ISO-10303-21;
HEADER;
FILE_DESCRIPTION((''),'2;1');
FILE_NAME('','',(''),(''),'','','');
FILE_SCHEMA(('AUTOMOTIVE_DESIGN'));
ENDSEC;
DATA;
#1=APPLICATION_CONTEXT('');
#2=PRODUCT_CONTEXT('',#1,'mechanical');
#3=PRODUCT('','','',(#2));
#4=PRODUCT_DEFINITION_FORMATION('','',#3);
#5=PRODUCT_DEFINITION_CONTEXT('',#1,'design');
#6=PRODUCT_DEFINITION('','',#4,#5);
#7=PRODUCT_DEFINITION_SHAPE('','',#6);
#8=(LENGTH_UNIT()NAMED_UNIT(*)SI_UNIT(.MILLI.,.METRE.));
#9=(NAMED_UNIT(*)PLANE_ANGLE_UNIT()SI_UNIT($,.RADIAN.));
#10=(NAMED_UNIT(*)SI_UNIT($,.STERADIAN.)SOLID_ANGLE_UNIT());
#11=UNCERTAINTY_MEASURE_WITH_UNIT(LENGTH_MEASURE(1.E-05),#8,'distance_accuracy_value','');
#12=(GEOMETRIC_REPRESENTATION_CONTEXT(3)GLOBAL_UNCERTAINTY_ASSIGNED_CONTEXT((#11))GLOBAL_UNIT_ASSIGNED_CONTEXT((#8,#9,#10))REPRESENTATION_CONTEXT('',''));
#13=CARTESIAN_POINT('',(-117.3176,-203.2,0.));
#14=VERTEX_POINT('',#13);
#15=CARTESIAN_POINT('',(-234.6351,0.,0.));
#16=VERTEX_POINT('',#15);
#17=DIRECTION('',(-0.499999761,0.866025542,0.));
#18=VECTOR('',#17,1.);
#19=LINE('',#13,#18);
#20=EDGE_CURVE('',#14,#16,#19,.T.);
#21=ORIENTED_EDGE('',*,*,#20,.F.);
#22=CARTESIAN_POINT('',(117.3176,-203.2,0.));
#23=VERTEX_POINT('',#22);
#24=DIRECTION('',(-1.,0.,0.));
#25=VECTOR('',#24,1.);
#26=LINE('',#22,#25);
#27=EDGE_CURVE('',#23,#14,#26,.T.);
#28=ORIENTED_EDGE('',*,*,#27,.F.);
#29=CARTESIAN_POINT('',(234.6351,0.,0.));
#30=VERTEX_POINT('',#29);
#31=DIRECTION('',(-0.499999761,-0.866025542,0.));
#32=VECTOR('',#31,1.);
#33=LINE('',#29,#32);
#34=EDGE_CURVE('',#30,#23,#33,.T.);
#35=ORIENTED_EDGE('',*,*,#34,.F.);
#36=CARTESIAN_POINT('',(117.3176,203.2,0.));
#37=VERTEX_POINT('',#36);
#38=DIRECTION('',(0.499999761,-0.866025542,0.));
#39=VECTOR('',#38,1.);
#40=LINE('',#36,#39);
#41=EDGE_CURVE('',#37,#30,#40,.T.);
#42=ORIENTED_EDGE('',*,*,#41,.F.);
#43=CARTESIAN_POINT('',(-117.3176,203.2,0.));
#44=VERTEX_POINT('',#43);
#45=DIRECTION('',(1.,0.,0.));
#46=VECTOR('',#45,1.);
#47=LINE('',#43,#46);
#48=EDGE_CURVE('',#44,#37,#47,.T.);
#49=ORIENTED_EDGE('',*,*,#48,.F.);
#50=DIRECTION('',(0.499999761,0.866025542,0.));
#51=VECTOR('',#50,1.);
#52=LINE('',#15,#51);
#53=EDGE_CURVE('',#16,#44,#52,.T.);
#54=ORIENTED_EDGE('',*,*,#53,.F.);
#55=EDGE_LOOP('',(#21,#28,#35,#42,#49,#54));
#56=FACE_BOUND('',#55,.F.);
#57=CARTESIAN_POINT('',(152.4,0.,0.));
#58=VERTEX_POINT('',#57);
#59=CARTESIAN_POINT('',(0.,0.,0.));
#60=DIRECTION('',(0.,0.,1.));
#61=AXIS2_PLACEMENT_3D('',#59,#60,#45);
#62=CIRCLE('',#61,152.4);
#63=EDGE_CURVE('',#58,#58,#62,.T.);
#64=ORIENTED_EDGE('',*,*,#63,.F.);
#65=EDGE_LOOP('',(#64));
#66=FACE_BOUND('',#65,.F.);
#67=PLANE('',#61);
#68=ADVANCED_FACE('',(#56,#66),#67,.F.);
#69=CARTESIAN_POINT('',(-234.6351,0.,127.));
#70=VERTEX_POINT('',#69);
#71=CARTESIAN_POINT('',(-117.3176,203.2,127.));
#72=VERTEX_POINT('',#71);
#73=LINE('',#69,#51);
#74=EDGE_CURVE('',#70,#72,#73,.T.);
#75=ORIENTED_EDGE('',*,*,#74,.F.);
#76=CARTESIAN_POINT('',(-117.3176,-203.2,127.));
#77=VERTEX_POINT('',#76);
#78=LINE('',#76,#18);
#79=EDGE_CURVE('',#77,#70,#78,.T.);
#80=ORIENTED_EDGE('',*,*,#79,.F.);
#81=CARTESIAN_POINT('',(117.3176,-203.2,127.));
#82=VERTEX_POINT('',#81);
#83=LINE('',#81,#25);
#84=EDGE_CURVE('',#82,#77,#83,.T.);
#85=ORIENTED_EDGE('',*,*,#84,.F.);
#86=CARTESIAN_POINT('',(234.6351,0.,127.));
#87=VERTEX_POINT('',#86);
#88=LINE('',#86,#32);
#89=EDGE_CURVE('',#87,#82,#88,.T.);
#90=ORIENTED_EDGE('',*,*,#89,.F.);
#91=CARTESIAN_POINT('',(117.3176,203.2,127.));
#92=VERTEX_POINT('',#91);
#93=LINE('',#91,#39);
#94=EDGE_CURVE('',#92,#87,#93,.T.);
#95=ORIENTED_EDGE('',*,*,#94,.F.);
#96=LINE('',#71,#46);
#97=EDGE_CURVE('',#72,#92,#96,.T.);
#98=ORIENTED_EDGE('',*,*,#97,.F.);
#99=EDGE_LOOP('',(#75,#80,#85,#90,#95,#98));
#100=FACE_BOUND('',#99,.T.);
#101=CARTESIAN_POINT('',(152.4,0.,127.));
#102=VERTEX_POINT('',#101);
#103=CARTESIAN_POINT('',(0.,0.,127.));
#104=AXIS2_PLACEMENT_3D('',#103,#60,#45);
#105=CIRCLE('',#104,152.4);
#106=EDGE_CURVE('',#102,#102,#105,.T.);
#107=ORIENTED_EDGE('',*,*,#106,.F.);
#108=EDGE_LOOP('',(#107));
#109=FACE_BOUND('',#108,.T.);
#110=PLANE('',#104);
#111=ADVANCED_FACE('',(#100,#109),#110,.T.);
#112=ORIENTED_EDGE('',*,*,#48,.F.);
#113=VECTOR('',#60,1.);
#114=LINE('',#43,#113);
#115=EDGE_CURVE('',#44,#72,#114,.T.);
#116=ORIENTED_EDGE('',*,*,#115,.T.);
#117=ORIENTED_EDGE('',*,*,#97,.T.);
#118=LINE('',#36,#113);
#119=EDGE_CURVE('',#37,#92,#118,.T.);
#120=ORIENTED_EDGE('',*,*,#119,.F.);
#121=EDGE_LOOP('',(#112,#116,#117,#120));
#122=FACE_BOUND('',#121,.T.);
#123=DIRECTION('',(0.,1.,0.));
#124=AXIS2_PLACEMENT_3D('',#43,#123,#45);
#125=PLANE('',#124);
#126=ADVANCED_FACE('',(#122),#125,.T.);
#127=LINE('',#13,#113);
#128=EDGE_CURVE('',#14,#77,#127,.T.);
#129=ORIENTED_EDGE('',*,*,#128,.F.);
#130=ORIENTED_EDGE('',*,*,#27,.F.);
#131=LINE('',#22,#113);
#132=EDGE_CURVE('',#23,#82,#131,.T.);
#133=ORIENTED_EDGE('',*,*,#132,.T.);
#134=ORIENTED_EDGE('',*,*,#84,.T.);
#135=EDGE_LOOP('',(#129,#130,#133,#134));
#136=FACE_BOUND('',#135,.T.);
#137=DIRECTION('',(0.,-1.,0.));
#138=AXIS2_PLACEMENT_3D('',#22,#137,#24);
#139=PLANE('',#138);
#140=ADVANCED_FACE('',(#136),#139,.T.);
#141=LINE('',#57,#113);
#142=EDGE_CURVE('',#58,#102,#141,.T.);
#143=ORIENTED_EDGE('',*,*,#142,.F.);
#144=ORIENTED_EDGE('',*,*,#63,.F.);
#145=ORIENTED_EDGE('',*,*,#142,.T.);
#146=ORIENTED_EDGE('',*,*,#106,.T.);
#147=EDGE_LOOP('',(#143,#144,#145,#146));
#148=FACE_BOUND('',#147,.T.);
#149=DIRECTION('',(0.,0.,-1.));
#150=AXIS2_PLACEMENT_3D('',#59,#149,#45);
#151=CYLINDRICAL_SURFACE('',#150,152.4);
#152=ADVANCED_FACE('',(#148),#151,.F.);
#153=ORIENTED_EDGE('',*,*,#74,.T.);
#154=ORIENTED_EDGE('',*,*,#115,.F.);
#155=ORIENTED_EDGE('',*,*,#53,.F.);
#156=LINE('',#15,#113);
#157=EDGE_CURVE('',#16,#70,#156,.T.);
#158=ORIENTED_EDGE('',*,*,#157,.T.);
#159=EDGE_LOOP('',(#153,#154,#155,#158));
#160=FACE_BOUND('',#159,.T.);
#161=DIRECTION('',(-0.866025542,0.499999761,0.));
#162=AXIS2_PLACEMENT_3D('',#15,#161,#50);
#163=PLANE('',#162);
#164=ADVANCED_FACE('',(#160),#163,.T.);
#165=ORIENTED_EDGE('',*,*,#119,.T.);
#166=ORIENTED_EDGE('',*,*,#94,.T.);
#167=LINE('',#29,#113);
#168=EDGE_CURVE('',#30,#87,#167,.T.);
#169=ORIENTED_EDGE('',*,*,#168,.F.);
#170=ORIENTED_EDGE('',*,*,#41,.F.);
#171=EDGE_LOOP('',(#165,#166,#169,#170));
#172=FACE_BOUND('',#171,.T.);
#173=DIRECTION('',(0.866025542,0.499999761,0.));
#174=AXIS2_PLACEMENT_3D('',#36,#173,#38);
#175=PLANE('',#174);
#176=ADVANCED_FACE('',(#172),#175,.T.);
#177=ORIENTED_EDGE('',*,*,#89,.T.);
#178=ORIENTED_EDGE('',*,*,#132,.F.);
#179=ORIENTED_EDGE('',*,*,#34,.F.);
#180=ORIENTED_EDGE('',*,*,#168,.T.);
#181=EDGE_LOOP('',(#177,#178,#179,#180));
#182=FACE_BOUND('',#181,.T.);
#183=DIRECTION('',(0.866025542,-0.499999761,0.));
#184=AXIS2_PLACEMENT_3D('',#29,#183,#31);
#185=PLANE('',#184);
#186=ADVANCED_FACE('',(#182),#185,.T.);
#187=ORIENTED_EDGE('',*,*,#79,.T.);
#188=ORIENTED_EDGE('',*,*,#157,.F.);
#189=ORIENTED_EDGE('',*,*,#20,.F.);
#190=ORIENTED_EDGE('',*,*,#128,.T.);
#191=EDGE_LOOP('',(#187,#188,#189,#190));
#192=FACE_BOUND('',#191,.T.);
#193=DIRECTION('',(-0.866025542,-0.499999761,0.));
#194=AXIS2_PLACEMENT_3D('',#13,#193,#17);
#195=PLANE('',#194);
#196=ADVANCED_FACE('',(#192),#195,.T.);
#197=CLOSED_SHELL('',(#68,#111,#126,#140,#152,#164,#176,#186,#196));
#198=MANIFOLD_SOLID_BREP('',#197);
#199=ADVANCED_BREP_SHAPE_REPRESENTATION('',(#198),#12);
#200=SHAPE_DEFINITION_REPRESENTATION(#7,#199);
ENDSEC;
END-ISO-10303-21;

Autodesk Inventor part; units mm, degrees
ref_plane "YZ Plane" through (0, 0, 0) normal (1, 0, 0) x (0, 1, 0)
ref_plane "XZ Plane" through (0, 0, 0) normal (0, 1, 0) x (-1, 0, 0)
ref_plane "XY Plane" through (0, 0, 0) normal (0, 0, 1) x (1, 0, 0)
sketch "Sketch1" plane through (0, 0, 0) normal (0, 0, 1) x (1, 0, 0)
  line L0 (234.6351, 0) -> (117.3176, -203.2)
  line L1 (117.3176, -203.2) -> (-117.3176, -203.2)
  line L2 (-117.3176, -203.2) -> (-234.6351, 0)
  line L3 (-234.6351, 0) -> (-117.3176, 203.2)
  line L4 (-117.3176, 203.2) -> (117.3176, 203.2)
  line L5 (117.3176, 203.2) -> (234.6351, 0)
  circle A0 centre (0, 0) radius 152.4
  point P0 (0, -203.2)
  point P1 (0, 203.2)
  dimension "d0" = 406.4
  dimension "d1" = 304.8
extrude "Extrusion1" add sketch "Sketch1" along normal blind 127
properties part number "Bolt"
